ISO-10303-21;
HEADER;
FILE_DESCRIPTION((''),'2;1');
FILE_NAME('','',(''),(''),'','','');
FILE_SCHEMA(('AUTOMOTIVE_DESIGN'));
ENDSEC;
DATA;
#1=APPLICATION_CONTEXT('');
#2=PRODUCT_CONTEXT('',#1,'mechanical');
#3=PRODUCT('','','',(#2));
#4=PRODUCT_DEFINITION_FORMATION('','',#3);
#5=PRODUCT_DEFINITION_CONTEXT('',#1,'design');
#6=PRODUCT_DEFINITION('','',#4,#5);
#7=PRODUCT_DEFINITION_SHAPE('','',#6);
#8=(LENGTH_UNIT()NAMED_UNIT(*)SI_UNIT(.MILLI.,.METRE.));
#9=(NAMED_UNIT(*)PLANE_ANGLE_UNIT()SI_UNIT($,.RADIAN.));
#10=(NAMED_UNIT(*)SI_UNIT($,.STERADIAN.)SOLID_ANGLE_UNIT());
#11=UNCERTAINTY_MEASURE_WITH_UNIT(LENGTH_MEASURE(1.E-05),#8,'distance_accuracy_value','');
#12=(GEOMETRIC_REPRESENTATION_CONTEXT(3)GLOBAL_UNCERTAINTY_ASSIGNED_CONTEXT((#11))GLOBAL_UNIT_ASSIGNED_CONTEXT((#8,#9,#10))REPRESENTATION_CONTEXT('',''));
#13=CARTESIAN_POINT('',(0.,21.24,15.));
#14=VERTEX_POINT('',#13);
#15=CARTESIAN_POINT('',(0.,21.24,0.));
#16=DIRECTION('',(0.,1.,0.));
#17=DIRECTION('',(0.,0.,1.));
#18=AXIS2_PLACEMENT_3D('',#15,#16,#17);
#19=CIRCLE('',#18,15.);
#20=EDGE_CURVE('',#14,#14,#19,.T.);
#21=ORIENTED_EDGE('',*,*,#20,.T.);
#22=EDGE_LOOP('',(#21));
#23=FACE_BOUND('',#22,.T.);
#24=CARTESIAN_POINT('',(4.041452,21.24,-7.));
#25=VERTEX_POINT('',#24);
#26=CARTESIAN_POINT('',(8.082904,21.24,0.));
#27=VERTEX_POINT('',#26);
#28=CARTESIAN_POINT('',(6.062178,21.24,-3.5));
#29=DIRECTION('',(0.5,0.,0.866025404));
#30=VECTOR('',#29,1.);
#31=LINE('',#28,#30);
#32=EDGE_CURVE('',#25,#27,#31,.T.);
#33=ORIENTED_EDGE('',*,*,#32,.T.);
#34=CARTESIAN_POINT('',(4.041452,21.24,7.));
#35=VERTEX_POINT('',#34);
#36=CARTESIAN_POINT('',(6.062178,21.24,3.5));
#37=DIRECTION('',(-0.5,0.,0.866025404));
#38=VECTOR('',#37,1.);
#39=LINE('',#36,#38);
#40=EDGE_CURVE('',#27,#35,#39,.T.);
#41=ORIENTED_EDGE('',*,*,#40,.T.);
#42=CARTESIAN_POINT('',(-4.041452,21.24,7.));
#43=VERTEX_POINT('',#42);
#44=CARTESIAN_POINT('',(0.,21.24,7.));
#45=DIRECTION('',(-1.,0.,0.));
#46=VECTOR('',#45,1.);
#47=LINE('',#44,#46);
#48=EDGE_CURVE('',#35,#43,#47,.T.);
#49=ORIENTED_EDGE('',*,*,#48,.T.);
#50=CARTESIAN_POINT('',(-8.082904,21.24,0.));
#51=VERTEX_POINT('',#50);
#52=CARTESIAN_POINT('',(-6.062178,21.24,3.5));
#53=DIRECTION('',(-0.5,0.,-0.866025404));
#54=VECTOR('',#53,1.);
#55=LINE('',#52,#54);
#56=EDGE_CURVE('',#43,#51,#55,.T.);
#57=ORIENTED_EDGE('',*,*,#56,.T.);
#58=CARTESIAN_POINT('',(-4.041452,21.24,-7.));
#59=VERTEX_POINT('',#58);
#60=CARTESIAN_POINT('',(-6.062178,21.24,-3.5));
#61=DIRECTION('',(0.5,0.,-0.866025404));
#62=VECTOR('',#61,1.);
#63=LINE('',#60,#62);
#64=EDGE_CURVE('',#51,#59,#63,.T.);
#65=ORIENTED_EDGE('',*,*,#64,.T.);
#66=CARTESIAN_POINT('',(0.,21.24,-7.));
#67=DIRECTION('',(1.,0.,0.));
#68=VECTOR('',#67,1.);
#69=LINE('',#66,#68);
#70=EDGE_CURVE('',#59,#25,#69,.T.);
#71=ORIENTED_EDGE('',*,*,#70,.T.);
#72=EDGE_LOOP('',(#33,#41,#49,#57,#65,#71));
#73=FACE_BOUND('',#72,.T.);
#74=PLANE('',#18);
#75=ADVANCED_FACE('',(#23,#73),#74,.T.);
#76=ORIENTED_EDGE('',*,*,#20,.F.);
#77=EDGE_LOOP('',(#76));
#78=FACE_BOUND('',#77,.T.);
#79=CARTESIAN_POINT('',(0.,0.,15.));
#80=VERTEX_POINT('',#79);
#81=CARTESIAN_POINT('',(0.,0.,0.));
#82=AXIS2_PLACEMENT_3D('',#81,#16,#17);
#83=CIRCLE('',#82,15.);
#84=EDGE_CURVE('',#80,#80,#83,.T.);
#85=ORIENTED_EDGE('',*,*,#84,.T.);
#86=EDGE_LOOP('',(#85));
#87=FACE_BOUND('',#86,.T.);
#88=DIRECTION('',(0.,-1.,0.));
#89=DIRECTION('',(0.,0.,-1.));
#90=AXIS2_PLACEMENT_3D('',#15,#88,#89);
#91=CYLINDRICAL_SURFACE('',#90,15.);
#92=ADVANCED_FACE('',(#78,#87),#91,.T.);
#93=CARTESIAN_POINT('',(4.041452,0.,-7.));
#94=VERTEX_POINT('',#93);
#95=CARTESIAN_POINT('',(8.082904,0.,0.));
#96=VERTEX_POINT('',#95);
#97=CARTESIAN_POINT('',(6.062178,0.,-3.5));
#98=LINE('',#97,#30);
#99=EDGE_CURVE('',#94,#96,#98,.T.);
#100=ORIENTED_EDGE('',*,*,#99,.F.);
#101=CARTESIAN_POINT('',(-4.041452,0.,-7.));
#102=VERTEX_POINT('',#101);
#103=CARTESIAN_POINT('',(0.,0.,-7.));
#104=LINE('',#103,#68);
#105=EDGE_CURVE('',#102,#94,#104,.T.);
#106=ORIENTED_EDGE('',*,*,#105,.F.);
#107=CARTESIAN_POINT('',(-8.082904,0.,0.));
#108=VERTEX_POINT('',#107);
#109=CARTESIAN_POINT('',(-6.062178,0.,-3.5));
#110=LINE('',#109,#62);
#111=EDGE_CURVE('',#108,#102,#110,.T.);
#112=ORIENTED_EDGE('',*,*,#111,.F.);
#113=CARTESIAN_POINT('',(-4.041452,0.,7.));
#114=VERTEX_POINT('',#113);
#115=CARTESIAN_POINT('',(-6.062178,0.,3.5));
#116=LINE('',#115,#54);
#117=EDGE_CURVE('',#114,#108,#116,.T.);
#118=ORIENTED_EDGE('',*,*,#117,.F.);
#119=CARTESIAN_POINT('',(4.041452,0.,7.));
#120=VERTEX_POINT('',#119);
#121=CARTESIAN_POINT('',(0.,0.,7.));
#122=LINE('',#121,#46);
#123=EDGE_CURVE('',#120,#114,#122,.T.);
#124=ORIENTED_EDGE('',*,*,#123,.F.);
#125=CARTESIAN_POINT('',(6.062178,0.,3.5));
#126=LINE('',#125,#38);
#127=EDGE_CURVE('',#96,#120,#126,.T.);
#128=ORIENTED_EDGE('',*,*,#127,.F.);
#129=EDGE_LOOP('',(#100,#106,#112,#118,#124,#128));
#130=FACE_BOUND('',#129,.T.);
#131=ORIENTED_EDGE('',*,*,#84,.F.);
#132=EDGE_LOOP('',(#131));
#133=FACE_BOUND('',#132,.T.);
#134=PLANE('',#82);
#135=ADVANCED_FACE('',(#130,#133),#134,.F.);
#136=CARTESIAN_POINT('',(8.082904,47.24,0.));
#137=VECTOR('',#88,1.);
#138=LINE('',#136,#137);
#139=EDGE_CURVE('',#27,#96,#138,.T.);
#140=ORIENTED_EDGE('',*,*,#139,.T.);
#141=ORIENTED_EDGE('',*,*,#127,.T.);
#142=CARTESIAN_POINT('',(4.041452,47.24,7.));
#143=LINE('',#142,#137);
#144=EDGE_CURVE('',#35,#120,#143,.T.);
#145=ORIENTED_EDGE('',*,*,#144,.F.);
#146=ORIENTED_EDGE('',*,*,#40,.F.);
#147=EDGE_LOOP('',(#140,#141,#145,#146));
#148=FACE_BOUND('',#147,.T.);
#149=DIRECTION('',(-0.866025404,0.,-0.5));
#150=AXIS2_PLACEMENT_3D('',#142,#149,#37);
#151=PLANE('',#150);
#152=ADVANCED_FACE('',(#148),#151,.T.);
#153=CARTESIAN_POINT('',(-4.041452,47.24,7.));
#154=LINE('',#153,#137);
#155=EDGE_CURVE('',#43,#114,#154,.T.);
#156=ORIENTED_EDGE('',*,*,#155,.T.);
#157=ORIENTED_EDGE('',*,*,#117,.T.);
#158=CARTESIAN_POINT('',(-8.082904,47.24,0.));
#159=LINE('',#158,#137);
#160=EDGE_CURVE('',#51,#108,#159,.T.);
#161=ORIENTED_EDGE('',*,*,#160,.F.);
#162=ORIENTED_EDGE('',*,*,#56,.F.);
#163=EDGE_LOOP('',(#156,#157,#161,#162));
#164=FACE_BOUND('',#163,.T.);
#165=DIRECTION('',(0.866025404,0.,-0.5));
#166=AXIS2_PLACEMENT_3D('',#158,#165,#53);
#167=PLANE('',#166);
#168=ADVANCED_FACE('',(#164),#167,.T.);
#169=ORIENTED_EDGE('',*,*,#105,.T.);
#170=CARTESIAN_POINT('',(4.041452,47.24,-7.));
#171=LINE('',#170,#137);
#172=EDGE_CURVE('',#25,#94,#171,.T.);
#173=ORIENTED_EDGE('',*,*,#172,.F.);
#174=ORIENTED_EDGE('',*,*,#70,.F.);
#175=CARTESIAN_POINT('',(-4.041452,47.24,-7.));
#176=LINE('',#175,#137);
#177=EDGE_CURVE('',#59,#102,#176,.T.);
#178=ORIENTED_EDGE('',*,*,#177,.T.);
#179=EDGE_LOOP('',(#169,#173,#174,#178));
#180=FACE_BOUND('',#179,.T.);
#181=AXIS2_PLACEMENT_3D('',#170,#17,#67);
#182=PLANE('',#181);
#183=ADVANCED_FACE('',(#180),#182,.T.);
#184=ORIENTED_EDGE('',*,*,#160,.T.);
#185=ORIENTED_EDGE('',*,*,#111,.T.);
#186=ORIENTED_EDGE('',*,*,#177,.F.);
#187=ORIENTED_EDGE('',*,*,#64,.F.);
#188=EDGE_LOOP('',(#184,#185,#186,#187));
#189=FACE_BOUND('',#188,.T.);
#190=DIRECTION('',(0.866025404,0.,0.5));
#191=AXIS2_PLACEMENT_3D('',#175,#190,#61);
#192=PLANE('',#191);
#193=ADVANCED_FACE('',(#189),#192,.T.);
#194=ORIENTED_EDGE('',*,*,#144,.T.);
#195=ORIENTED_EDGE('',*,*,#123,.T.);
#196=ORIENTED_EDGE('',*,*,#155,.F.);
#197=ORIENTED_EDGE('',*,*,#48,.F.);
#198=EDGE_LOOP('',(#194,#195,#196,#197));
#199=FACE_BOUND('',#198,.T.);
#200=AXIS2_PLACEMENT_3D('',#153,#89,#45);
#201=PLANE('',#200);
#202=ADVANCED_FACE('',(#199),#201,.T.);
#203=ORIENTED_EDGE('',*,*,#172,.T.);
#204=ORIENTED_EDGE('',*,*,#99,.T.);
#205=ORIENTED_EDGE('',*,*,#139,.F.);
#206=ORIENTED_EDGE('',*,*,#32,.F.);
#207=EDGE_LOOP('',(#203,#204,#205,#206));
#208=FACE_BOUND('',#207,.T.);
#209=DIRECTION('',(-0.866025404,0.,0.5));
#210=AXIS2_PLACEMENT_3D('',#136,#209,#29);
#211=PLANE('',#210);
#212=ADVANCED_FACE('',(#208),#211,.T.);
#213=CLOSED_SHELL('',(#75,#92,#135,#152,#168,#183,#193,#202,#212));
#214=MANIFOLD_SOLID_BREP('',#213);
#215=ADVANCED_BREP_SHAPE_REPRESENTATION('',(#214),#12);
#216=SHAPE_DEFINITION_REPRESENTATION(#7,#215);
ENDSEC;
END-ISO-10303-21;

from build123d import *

# Parameters (mm, degrees)
SKETCH1_R               = 15
BOSS_EXTRUDE1_DEPTH     = 21.24
CUT_EXTRUDE1_DEPTH      = 26
CUT_EXTRUDE1_DEPTH_BACK = 32


with BuildPart() as part:
    # Sketch1 → Boss-Extrude1 (new body)
    with BuildSketch(Plane(origin=(0, 0, 0), x_dir=(1, 0, 0), z_dir=(0, 1, 0))):
        Circle(SKETCH1_R)
    extrude(amount=BOSS_EXTRUDE1_DEPTH)

    # Sketch3 → Cut-Extrude1 (cut, two sides)
    with BuildSketch(Plane(origin=(0, 21.24, 0), x_dir=(1, 0, 0), z_dir=(0, 1, 0))) as cut_extrude1_sk:
        Polygon((8.082903769, 0), (4.041451884, 7), (-4.041451884, 7), (-8.082903769, 0), (-4.041451884, -7), (4.041451884, -7), align=None)
    extrude(amount=CUT_EXTRUDE1_DEPTH, mode=Mode.SUBTRACT)
    extrude(cut_extrude1_sk.sketch, amount=-CUT_EXTRUDE1_DEPTH_BACK, mode=Mode.SUBTRACT)


solid = part.part
